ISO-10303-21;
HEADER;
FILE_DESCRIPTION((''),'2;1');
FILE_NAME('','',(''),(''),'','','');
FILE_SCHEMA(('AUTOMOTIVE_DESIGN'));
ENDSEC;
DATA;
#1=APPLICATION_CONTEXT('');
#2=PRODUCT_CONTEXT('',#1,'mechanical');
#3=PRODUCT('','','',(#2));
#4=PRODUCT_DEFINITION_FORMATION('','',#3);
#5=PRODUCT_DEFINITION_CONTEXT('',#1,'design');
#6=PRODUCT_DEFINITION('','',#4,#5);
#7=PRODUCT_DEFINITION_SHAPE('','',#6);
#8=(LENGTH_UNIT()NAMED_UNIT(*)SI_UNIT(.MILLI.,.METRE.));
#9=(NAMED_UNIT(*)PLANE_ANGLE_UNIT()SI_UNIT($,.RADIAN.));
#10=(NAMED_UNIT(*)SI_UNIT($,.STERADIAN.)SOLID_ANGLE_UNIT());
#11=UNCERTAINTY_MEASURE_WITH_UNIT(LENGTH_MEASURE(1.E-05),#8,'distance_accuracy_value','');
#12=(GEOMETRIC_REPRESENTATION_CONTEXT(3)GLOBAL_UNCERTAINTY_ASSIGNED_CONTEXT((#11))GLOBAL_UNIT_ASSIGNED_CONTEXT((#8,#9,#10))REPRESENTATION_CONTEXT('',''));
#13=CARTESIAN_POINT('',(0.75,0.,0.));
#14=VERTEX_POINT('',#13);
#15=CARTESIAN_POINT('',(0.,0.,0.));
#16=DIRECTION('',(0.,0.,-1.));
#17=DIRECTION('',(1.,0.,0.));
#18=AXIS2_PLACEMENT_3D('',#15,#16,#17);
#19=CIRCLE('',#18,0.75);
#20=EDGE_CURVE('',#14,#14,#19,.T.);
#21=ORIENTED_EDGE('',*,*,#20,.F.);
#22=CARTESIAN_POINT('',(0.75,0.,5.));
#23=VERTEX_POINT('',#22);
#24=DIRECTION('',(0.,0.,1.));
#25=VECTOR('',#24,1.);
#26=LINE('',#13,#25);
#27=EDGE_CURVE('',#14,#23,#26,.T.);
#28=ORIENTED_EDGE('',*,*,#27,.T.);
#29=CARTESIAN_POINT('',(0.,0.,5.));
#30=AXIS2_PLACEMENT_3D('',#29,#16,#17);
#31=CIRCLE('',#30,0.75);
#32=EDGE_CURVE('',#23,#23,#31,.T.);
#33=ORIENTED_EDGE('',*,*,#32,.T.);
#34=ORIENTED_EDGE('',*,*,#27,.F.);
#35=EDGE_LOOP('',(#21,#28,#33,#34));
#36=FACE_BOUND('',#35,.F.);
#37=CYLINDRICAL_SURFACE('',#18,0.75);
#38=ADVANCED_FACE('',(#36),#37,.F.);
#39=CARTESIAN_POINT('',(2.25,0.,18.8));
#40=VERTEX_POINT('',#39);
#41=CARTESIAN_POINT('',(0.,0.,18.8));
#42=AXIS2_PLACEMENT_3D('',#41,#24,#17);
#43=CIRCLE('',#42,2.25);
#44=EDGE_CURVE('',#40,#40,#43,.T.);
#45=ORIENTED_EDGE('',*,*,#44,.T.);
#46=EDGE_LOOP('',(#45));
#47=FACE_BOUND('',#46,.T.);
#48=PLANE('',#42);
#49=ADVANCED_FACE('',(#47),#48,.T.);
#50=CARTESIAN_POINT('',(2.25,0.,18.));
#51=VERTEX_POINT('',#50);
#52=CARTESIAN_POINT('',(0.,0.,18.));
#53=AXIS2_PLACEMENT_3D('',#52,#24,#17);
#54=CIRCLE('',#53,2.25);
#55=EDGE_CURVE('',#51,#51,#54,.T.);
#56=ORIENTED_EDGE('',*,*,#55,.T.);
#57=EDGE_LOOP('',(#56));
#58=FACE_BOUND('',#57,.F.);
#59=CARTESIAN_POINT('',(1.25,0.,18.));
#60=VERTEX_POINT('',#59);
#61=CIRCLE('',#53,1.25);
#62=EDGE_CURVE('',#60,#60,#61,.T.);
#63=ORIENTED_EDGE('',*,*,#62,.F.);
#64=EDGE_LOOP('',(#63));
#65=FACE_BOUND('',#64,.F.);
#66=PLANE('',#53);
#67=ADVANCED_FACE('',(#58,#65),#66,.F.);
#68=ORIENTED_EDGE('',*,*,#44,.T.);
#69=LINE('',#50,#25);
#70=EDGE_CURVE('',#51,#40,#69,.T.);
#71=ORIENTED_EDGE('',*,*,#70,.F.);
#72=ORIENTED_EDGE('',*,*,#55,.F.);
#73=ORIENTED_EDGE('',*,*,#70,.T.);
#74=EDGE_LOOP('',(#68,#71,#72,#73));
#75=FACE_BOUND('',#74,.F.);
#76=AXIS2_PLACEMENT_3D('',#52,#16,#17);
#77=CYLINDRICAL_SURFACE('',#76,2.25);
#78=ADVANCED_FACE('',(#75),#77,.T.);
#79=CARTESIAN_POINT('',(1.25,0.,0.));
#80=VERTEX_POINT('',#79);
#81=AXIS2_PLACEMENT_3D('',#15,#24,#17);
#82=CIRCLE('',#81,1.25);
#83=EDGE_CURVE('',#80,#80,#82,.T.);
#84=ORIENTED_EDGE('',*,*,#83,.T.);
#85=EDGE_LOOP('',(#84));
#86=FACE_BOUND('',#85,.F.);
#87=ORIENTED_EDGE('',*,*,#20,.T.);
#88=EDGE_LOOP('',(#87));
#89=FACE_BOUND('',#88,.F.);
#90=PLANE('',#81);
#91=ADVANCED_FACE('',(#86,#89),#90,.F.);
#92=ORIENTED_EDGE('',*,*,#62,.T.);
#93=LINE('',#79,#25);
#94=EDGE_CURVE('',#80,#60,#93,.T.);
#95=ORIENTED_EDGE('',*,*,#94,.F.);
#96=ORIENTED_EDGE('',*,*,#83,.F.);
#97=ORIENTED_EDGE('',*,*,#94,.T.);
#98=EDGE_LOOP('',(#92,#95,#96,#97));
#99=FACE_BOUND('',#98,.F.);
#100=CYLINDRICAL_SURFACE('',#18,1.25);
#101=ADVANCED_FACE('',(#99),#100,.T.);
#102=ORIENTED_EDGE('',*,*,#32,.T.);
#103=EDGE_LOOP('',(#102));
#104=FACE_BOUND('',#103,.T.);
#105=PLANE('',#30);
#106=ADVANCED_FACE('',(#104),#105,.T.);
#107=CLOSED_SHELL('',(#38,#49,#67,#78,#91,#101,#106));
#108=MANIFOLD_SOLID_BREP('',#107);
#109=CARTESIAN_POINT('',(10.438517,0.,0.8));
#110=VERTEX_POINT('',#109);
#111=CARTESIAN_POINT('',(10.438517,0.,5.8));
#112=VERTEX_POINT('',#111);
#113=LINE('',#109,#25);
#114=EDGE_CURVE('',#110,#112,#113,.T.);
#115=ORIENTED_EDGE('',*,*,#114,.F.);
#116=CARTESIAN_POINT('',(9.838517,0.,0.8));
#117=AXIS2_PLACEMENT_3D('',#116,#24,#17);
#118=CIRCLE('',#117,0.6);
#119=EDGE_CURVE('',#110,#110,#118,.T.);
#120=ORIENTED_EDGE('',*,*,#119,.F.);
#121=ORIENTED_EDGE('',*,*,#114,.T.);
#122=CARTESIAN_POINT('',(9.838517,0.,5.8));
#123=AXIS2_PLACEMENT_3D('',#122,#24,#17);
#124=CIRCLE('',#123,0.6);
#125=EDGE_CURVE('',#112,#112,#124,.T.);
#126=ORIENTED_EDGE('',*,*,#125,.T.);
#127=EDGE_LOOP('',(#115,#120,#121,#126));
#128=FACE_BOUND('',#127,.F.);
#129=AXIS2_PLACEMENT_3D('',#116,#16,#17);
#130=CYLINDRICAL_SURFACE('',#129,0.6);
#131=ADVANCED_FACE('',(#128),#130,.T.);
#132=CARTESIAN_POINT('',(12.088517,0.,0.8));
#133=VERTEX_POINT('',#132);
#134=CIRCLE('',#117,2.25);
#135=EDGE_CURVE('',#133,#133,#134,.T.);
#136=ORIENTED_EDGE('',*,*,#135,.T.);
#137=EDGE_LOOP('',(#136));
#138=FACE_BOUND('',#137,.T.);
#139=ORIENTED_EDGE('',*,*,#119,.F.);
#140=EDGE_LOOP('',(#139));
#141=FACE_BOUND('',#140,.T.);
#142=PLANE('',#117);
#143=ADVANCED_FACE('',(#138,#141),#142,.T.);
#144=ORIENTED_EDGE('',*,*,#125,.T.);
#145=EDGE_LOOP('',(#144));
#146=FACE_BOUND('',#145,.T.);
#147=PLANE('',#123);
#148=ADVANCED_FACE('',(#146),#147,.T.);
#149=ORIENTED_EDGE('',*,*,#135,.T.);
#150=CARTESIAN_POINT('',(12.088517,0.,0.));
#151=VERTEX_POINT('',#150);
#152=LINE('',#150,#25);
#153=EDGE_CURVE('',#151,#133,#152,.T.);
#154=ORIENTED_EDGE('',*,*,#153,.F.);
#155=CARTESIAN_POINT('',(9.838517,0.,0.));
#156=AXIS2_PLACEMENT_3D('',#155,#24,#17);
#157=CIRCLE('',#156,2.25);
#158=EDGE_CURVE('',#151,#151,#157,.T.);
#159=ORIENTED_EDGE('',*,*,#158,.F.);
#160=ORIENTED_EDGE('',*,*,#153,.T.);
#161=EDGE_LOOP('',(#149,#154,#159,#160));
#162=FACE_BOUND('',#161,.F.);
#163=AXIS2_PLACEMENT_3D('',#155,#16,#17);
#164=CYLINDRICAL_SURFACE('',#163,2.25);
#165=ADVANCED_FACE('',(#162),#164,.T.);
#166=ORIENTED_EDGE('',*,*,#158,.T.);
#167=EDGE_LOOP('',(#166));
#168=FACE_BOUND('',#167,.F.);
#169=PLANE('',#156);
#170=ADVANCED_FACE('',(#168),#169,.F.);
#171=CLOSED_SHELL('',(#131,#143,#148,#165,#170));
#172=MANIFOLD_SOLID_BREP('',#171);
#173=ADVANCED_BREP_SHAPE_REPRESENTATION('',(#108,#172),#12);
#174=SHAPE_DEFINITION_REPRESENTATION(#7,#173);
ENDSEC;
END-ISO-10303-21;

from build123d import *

# Parameters (mm, degrees)
F0_R      = 1.25
F1_DEPTH  = 18
F2_R      = 2.25
F3_DEPTH  = 0.8
F5_R      = 0.75
F6_DEPTH  = 5
F7_R      = 2.25
F8_DEPTH  = 0.8
F9_R      = 0.6
F10_DEPTH = 5


with BuildPart() as f1:
    # F0 (on Top) → F1 (new body)
    with BuildSketch(Plane.XY):
        Circle(F0_R)
    extrude(amount=F1_DEPTH)

    # F2 (on face) → F3 (join)
    with BuildSketch(Plane.XY.offset(18)):
        Circle(F2_R)
        with BuildLine():
            ThreePointArc((0, -1.25), (-1.25, 0), (0, 1.25))
            ThreePointArc((0, 1.25), (0.8838834765, 0.8838834765), (1.25, 0))
            ThreePointArc((1.25, 0), (0.8838834765, -0.8838834765), (0, -1.25))
        make_face(mode=Mode.SUBTRACT)
        with BuildLine():
            ThreePointArc((1.25, 0), (0.8838834765, 0.8838834765), (0, 1.25))
            Line((0, 1.25), (0, -1.25))
            ThreePointArc((0, -1.25), (0.8838834765, -0.8838834765), (1.25, 0))
        make_face()
        with BuildLine():
            Line((0, -1.25), (0, 1.25))
            ThreePointArc((0, 1.25), (-1.25, 0), (0, -1.25))
        make_face()
    extrude(amount=F3_DEPTH)

    # F5 (on face) → F6 (cut)
    with BuildSketch(Plane(origin=(0, 0, 0), x_dir=(1, 0, 0), z_dir=(0, 0, -1))):
        Circle(F5_R)
    extrude(amount=-F6_DEPTH, mode=Mode.SUBTRACT)


with BuildPart() as f8:
    # F7 (on Top) → F8 (new body)
    with BuildSketch(Plane.XY):
        with Locations((9.8385168239, 0)):
            Circle(F7_R)
    extrude(amount=F8_DEPTH)

    # F9 (on face) → F10 (join)
    with BuildSketch(Plane.XY.offset(0.8)):
        with Locations((9.8385168239, 0)):
            Circle(F9_R)
    extrude(amount=F10_DEPTH)


solid = Compound([f1.part, f8.part])
